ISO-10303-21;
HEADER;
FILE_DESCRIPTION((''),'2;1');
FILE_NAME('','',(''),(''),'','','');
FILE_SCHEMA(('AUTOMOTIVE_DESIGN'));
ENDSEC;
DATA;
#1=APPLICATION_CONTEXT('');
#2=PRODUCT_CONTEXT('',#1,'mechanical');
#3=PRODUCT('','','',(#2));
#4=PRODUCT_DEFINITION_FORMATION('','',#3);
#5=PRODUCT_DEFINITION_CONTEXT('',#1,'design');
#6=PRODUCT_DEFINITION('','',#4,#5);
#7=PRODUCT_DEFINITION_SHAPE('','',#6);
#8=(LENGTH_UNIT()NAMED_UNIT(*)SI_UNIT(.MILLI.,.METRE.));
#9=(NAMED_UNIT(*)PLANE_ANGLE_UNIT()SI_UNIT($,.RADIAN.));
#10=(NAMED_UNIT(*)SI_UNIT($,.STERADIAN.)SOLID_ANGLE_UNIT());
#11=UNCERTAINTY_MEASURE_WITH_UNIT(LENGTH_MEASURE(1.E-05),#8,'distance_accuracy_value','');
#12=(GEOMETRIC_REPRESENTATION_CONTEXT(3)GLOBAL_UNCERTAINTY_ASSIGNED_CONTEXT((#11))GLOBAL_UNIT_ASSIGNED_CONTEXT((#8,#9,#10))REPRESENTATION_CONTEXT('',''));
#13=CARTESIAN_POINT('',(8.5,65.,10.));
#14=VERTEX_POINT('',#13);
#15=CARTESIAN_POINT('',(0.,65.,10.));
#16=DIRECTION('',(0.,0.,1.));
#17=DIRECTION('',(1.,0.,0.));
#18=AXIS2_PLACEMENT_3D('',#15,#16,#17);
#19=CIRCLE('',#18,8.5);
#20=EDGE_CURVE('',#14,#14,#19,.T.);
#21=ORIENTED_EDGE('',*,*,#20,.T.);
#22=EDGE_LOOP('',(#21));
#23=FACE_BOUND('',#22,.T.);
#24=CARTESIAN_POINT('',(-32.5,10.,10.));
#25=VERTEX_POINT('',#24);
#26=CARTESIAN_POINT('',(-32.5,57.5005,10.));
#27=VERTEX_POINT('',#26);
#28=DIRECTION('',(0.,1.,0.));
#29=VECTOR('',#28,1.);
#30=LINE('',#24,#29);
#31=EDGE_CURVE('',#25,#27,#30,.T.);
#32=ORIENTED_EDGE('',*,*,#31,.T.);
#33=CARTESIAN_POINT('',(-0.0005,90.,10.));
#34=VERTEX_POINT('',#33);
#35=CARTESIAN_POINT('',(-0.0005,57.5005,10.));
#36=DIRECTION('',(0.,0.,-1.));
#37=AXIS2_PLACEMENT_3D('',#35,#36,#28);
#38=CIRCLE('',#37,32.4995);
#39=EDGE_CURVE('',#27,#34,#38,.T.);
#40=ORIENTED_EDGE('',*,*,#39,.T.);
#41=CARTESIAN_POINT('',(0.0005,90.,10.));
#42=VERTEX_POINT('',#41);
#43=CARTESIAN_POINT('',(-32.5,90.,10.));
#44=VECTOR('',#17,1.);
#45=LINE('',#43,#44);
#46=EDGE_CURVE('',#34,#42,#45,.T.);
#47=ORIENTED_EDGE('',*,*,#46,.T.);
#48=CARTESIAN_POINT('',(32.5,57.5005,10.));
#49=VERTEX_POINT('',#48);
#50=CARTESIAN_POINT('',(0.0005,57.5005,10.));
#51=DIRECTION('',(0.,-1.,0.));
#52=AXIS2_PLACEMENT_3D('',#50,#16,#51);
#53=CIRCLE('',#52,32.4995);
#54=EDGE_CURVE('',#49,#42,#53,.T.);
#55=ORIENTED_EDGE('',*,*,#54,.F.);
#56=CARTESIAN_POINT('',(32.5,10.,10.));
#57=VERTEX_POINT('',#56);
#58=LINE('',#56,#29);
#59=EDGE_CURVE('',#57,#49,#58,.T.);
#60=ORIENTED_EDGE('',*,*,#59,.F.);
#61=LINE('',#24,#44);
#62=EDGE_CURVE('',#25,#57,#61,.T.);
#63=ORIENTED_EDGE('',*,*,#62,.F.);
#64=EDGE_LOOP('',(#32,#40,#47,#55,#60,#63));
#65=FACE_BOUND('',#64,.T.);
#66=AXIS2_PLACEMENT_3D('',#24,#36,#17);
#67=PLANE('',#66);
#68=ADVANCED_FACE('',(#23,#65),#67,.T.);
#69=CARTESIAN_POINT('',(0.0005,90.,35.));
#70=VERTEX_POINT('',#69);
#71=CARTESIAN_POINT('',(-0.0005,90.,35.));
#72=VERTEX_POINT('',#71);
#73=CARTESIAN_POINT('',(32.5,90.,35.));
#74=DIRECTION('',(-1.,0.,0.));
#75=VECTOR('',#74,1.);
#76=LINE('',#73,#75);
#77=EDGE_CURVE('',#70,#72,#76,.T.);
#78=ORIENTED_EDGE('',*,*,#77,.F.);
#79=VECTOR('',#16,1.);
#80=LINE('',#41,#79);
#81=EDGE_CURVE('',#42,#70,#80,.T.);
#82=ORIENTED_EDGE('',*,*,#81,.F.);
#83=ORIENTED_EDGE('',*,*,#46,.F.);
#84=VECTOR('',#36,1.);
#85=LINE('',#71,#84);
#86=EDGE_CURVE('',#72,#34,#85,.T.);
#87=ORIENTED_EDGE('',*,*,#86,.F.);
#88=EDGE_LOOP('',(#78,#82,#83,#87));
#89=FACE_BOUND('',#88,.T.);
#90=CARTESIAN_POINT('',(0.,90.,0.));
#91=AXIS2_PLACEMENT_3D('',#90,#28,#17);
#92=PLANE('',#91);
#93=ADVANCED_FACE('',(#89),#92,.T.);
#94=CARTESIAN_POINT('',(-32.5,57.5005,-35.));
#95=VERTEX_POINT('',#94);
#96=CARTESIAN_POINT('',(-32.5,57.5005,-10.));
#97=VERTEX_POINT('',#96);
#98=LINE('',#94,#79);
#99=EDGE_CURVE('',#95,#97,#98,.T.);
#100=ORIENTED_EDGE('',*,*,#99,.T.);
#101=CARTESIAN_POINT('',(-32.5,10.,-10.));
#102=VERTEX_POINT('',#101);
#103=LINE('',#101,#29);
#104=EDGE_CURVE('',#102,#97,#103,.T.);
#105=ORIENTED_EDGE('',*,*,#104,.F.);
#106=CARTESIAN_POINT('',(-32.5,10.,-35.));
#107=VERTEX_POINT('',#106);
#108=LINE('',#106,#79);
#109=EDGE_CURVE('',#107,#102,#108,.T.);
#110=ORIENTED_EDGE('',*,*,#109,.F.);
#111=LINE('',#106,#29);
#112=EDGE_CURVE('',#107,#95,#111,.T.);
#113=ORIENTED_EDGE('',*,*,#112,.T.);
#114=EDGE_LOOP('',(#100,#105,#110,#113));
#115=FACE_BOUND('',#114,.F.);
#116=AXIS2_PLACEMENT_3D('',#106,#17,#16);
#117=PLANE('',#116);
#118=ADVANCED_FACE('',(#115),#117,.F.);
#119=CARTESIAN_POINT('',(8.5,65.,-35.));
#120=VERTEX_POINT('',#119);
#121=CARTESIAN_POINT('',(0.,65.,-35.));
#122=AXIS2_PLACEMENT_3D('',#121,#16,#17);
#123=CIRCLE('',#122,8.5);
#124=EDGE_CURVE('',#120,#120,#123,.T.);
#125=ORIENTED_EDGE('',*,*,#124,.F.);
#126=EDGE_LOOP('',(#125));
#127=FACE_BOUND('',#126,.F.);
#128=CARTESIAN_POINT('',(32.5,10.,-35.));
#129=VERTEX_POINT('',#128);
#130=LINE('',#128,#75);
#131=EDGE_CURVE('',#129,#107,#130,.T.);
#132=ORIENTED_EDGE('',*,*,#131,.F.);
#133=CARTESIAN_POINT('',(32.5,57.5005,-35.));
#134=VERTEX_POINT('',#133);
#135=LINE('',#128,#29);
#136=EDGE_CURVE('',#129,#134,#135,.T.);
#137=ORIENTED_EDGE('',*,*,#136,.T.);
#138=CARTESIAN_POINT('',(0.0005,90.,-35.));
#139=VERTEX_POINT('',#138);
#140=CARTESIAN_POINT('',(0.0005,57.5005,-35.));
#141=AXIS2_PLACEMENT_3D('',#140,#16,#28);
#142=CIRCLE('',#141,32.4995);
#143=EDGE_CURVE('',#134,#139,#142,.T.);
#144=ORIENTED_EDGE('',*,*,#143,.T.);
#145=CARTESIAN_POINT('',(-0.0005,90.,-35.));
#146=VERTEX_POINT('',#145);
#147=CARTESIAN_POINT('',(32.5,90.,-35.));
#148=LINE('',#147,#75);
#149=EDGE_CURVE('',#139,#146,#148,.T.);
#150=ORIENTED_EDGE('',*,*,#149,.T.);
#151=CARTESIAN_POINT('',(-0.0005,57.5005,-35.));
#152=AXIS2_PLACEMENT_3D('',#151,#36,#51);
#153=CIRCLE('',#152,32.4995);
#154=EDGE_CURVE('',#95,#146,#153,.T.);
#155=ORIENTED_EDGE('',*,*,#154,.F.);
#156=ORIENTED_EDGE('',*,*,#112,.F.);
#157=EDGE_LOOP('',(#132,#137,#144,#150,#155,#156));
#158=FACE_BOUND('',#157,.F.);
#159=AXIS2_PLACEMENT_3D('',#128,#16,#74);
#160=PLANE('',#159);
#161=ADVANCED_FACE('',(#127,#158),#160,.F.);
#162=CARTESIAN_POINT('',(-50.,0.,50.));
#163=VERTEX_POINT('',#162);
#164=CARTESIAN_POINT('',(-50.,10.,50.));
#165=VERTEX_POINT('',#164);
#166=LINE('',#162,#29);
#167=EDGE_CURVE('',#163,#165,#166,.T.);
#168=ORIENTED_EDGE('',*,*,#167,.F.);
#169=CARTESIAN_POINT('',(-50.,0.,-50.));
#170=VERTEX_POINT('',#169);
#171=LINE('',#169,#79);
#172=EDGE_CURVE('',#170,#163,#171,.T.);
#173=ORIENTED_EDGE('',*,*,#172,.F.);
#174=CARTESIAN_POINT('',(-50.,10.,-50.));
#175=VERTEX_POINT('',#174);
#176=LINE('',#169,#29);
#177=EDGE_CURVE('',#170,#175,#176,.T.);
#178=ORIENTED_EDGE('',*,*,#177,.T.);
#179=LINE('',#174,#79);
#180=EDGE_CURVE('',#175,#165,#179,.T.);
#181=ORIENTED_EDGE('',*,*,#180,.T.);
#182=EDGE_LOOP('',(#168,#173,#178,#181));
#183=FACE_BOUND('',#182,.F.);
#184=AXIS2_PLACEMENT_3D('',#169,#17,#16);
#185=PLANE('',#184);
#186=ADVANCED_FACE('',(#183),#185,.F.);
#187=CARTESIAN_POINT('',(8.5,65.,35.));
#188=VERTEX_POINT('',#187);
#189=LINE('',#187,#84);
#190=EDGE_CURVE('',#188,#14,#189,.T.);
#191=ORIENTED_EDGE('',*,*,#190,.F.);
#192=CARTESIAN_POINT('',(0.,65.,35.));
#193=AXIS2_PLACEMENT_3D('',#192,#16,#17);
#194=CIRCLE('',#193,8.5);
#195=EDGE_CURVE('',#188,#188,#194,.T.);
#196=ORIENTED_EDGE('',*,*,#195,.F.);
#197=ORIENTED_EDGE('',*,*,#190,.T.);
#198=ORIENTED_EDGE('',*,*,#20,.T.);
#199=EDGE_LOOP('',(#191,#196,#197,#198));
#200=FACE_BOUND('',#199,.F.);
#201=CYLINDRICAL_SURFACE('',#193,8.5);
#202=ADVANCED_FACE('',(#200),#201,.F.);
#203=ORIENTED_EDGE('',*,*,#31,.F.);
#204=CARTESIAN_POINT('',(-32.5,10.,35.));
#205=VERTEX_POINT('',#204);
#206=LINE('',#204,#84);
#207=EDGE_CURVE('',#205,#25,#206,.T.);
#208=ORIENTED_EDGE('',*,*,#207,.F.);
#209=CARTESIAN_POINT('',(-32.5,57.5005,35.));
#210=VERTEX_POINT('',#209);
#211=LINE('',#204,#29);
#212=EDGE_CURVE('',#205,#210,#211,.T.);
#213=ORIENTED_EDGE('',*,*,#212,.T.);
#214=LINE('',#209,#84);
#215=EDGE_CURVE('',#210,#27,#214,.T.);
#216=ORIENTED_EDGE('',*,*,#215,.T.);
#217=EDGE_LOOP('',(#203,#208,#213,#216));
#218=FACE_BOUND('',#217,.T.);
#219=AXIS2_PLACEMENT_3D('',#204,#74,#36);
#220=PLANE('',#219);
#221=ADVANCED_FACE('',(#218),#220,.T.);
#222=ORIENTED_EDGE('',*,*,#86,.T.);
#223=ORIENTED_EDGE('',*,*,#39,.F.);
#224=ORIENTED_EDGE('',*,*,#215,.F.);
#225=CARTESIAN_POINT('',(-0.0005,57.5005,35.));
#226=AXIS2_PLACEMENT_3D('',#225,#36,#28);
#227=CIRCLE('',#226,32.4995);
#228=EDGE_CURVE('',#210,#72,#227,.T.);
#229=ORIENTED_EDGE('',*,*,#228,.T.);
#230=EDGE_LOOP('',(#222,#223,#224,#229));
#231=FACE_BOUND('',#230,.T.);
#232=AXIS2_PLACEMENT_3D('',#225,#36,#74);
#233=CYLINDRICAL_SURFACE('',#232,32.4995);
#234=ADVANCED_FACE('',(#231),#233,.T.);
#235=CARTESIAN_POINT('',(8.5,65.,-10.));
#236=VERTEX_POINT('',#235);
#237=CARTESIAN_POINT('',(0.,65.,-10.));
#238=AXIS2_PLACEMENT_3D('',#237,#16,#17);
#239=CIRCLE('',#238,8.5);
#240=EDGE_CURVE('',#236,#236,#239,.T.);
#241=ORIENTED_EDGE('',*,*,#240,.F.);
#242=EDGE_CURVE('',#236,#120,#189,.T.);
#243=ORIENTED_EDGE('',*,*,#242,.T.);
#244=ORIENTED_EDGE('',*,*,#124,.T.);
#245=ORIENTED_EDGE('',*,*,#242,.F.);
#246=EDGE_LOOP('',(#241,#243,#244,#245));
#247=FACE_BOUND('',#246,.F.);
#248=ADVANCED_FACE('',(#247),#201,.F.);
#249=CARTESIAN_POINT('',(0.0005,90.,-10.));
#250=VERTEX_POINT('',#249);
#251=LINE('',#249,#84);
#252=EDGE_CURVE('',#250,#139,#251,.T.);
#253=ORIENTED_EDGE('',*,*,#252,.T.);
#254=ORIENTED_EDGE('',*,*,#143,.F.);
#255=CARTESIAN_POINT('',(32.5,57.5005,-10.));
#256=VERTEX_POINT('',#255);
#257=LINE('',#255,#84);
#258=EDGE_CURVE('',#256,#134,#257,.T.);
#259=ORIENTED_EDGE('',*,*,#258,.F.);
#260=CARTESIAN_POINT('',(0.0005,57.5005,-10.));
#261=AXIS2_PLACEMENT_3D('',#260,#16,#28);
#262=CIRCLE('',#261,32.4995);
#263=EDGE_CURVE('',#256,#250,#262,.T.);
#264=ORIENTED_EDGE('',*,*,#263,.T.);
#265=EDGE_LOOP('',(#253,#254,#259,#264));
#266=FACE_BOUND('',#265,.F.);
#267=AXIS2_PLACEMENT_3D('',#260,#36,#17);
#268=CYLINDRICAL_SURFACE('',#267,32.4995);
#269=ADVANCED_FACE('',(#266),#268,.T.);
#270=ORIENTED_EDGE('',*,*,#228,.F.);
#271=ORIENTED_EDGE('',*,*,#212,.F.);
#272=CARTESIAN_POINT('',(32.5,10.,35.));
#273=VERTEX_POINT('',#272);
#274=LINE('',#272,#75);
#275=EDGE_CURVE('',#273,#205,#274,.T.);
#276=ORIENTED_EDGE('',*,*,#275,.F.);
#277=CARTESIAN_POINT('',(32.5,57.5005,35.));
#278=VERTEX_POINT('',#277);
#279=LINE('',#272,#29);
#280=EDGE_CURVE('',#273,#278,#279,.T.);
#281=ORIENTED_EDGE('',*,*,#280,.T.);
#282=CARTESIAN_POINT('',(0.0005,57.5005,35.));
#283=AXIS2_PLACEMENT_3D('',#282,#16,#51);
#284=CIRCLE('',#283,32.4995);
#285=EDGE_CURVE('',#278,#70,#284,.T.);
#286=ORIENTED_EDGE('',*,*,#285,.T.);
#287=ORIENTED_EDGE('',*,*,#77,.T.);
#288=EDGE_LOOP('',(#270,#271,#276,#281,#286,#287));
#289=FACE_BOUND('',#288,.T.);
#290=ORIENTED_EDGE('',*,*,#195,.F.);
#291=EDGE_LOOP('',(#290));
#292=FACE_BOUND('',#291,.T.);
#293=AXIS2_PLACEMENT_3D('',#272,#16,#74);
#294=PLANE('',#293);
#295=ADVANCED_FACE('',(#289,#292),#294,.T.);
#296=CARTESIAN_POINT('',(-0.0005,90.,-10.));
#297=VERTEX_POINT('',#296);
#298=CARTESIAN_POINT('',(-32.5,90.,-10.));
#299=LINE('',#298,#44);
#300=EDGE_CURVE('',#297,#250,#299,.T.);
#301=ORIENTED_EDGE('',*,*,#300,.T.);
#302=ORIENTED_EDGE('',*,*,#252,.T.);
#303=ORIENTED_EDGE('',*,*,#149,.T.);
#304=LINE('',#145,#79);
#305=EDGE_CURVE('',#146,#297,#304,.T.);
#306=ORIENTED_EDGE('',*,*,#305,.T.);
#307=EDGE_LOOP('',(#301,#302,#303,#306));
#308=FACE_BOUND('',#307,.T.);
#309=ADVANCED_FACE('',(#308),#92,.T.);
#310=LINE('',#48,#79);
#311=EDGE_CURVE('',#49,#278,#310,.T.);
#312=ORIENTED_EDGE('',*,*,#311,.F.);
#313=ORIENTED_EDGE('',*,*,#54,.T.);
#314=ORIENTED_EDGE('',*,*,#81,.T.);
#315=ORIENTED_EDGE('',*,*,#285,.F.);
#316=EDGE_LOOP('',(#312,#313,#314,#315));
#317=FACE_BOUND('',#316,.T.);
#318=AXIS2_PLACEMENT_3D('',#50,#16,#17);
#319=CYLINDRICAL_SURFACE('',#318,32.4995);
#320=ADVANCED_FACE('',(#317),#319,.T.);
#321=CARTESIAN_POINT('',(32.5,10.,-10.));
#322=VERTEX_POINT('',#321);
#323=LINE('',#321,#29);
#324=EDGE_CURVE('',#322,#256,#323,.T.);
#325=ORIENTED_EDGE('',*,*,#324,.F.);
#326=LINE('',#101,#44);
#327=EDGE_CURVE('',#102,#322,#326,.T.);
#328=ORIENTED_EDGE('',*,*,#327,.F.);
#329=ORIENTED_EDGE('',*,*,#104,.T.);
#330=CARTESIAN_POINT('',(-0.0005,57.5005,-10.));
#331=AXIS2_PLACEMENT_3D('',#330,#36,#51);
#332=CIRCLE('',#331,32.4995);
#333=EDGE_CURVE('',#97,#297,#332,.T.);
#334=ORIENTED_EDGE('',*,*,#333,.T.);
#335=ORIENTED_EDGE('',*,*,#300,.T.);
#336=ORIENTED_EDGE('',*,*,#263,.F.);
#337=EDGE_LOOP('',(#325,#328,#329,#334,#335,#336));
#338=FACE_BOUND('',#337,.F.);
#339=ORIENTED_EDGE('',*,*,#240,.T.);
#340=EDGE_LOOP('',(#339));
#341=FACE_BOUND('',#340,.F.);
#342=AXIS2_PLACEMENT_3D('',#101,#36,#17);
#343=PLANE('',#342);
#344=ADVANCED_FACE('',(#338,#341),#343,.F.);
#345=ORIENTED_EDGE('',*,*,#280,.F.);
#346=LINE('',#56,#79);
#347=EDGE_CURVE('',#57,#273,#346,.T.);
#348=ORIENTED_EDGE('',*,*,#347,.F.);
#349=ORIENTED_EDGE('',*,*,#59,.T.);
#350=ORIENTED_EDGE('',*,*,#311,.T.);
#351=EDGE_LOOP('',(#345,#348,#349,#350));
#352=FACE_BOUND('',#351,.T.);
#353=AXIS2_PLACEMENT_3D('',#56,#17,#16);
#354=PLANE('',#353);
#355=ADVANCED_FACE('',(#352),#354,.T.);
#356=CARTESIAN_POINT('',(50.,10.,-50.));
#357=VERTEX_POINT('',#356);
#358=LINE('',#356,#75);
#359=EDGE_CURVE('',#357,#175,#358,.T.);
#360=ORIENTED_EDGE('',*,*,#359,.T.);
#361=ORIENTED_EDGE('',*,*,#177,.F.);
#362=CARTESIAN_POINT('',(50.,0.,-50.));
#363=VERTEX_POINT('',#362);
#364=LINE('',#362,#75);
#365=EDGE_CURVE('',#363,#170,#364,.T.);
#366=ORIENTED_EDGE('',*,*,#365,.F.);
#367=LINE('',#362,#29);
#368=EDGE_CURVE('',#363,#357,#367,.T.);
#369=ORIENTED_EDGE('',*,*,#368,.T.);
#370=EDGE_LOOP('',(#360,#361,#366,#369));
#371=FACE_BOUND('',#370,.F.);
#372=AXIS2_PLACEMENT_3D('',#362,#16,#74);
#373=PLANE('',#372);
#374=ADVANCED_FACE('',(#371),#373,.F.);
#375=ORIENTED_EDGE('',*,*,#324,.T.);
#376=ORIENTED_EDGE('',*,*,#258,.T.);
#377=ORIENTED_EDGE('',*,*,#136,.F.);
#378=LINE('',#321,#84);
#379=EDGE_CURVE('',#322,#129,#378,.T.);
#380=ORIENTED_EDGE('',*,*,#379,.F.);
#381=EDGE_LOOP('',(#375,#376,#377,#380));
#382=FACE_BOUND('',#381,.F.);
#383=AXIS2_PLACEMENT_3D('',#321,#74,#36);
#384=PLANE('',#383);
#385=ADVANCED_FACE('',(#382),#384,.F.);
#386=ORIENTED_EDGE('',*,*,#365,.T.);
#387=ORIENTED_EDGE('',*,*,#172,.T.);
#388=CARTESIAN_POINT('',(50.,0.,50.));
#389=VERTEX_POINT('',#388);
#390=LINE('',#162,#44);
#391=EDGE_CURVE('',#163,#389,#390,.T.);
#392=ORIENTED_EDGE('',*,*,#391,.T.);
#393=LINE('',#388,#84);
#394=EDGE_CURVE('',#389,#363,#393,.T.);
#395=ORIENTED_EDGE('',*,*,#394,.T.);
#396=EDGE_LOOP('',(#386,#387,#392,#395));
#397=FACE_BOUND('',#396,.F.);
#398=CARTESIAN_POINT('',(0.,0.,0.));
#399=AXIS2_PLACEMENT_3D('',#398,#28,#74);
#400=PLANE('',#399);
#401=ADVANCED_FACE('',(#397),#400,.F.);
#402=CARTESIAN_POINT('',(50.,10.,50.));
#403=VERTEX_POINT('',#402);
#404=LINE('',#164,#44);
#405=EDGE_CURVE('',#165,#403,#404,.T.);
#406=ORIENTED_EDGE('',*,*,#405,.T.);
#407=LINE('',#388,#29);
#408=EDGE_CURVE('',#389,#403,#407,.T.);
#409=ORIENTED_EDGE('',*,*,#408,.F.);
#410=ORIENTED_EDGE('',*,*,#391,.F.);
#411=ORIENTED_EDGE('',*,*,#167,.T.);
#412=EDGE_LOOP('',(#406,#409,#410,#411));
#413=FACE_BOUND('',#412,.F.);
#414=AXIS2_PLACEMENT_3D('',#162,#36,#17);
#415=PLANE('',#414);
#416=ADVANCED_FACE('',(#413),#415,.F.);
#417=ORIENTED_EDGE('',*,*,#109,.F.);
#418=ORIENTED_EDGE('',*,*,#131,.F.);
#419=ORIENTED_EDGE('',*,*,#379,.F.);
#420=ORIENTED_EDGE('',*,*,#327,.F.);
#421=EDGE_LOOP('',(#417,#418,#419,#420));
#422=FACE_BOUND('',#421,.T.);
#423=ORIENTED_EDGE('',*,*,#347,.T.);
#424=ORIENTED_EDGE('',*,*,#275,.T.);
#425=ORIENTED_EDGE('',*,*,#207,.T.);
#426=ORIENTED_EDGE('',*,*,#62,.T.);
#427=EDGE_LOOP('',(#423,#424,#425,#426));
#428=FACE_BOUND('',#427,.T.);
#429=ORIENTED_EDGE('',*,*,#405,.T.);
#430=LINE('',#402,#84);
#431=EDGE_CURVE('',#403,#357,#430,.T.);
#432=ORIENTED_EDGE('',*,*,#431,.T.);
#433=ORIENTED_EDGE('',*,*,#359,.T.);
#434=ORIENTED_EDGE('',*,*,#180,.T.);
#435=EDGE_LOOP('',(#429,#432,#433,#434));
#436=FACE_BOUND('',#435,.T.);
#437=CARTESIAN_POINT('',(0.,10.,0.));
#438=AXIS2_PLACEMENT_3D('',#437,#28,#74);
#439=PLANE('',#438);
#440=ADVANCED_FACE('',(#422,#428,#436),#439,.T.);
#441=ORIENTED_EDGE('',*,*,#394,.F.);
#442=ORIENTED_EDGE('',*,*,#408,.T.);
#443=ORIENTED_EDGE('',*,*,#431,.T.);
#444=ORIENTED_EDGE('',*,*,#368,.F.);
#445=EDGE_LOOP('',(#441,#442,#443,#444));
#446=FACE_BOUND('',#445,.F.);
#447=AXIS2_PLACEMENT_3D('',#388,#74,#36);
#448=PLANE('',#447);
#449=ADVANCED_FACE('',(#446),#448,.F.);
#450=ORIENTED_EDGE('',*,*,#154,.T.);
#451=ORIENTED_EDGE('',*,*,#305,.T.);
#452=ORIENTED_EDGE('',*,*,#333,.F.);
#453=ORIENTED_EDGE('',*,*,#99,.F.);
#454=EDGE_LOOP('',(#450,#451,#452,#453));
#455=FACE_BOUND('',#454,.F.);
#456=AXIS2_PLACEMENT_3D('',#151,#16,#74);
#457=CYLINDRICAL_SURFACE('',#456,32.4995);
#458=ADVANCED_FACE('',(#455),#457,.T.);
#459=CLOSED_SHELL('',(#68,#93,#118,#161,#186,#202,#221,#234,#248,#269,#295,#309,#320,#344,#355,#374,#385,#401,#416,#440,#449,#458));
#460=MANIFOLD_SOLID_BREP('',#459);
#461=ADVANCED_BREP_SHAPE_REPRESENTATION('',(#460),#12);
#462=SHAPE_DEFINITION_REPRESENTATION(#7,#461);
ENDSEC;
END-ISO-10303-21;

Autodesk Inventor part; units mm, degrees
ref_plane "YZ Plane" through (0, 0, 0) normal (1, 0, 0) x (0, 1, 0)
ref_plane "XZ Plane" through (0, 0, 0) normal (0, 1, 0) x (-1, 0, 0)
ref_plane "XY Plane" through (0, 0, 0) normal (0, 0, 1) x (1, 0, 0)
sketch "Boceto1" plane through (0, 0, 0) normal (0, 1, 0) x (-1, 0, 0)
  line L0 (50, 50) -> (-50, 50)
  line L1 (-50, 50) -> (-50, -50)
  line L2 (-50, -50) -> (50, -50)
  line L3 (50, -50) -> (50, 50)
  line L4 (50, 50) -> (-50, -50) construction
  line L5 (-50, 50) -> (50, -50) construction
  point P0 (0, 0)
  dimension "d0" = 100
  dimension "d1" = 100
extrude "Extrusión1" add sketch "Boceto1" along normal blind 10
sketch "Boceto2" plane through (0, 10, 0) normal (0, 1, 0) x (1, 0, 0)
  line L0 (32.5, -35) -> (-32.5, -35)
  line L1 (-32.5, -35) -> (-32.5, -10)
  line L2 (-32.5, -10) -> (32.5, -10)
  line L3 (32.5, -10) -> (32.5, -35)
  line L4 (0, 0) -> (-40.0762, 0)
  line L5 (32.5, 35) -> (-32.5, 35)
  line L6 (-32.5, 35) -> (-32.5, 10)
  line L7 (-32.5, 10) -> (32.5, 10)
  line L8 (32.5, 10) -> (32.5, 35)
  dimension "d4" = 25
  dimension "d5" = 65
  dimension "d6" = 10
  dimension "d7" = 32.5
  dimension "d8" = 10
extrude "Extrusión2" add sketch "Boceto2" along normal blind 80
sketch "Boceto3" plane through (-32.5, 10, 35) normal (0, 0, 1) x (1, 0, 0)
  circle A0 centre (32.5, 55) radius 8.5
  line L0 (0, 0) -> (0, 80) projected
  line L1 (0, 80) -> (65, 80) projected
  point P0 (32.5, -10)
  dimension "d11" = 17
  dimension "d12" = 32.5
  dimension "d13" = 25
extrude "Extrusión3" cut sketch "Boceto3" against normal blind 80
fillet "Empalme1" radius 32.5 4 edges at (-32.5, 90, 22.5) (32.5, 90, 22.5) (32.5, 90, -22.5) (-32.5, 90, -22.5)
properties part number "03_10 soporte02" material "Acero ASTM A36"
